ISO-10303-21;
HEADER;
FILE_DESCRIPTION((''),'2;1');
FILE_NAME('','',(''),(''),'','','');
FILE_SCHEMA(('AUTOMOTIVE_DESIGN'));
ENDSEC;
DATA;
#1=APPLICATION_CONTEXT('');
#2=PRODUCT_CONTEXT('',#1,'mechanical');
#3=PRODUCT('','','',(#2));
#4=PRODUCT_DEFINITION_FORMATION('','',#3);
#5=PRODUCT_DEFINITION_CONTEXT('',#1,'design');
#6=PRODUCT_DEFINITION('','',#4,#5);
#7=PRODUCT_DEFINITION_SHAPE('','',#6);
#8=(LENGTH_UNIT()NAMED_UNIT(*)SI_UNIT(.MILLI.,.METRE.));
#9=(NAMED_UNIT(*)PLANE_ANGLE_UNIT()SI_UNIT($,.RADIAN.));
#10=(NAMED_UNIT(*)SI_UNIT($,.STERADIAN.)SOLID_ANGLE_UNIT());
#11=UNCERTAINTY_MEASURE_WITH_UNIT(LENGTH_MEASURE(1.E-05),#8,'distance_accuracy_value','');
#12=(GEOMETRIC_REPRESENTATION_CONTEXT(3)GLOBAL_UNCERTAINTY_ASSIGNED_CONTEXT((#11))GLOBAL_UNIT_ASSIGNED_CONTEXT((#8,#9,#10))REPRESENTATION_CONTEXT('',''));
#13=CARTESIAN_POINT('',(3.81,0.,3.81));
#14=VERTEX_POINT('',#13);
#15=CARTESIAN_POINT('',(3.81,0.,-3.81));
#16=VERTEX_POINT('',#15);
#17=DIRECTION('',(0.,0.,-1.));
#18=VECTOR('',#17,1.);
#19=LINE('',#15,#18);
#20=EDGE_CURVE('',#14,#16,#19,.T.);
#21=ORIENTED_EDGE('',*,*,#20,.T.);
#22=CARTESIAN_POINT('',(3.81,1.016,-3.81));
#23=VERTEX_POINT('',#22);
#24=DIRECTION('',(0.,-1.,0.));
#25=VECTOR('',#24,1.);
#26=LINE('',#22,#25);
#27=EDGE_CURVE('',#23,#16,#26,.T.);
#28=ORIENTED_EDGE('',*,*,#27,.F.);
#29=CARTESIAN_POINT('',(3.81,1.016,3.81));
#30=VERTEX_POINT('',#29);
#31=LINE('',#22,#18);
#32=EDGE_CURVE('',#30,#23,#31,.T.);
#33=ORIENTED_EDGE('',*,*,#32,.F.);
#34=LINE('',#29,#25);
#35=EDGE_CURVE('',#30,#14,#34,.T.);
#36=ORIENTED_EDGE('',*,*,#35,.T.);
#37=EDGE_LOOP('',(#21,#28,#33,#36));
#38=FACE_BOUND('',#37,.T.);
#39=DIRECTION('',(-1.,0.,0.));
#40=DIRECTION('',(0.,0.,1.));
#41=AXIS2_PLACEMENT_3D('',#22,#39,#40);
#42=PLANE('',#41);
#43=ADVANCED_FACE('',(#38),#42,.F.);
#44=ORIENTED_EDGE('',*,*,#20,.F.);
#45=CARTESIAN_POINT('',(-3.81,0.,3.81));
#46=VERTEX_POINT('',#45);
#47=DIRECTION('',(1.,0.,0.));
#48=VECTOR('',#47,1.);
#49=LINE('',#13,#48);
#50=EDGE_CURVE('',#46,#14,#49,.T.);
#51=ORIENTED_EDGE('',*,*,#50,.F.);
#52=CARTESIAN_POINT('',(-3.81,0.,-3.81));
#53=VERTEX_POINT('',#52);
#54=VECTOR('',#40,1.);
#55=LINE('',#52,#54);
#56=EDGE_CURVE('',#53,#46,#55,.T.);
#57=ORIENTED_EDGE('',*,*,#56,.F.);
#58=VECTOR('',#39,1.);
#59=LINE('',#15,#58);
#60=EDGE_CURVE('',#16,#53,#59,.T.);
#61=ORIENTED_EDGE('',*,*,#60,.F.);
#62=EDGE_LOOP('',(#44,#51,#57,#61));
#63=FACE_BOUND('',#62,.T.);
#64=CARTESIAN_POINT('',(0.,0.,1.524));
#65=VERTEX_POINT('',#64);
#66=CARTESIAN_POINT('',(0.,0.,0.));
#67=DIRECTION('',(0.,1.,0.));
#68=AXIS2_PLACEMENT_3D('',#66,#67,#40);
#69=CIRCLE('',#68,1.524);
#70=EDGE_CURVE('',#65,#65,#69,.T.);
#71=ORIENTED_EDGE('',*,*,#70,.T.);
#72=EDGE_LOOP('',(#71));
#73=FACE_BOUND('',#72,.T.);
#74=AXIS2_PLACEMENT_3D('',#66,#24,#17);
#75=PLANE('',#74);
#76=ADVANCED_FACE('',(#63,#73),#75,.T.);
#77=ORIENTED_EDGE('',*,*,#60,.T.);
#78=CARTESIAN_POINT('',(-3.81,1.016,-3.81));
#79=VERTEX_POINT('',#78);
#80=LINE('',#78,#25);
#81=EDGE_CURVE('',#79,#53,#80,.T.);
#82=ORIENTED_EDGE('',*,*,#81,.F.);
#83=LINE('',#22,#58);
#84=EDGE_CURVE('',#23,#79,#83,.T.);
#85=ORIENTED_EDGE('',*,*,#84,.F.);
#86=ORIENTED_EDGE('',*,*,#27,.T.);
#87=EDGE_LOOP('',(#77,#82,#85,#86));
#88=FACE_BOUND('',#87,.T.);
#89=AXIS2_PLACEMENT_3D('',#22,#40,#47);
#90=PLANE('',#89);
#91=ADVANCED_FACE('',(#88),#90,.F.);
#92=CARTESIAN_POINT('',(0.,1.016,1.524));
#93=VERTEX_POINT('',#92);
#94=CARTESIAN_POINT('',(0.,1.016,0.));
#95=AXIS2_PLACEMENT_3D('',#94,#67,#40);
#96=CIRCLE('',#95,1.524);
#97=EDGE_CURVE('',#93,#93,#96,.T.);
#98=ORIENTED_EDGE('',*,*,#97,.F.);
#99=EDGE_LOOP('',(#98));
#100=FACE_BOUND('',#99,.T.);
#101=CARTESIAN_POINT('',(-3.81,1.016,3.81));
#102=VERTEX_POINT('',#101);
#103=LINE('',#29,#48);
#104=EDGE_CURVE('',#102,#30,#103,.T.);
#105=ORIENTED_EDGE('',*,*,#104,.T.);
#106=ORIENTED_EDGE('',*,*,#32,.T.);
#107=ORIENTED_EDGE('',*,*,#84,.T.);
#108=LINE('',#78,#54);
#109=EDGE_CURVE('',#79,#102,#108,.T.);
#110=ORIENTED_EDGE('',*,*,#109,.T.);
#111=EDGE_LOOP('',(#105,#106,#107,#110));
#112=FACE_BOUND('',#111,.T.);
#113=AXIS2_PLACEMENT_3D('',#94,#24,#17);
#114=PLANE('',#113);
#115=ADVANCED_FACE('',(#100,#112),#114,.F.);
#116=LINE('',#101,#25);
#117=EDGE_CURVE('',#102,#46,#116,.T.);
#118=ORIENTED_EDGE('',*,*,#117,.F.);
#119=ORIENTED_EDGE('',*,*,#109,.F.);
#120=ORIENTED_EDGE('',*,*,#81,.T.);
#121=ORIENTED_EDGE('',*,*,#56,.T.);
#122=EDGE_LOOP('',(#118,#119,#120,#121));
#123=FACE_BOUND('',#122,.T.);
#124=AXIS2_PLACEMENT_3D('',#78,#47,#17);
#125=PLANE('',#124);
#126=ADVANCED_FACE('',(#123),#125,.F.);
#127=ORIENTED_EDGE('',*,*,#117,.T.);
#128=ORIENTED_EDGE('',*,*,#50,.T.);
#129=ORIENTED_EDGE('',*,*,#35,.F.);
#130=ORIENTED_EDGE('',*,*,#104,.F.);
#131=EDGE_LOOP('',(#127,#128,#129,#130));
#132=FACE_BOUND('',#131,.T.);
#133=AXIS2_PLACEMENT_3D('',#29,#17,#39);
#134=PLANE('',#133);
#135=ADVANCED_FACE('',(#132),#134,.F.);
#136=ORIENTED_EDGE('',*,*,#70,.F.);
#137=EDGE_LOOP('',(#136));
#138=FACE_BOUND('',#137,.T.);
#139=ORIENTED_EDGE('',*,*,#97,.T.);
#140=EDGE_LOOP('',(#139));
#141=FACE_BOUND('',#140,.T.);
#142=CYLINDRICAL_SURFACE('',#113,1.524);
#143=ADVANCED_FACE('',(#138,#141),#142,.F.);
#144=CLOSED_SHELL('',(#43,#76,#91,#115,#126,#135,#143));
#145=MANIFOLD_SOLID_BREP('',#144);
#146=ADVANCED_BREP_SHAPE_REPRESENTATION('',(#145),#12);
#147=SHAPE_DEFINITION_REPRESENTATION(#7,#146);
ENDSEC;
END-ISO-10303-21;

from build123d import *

# Parameters (mm, degrees)
SKETCH1_W           = 7.62
SKETCH1_H           = 7.62
SKETCH1_R           = 1.524
BOSS_EXTRUDE1_DEPTH = 1.016


with BuildPart() as part:
    # Sketch1 → Boss-Extrude1 (new body)
    with BuildSketch(Plane(origin=(0, 0, 0), x_dir=(1, 0, 0), z_dir=(0, 1, 0))):
        Rectangle(SKETCH1_W, SKETCH1_H)
        Circle(SKETCH1_R, mode=Mode.SUBTRACT)
    extrude(amount=BOSS_EXTRUDE1_DEPTH)


solid = part.part
